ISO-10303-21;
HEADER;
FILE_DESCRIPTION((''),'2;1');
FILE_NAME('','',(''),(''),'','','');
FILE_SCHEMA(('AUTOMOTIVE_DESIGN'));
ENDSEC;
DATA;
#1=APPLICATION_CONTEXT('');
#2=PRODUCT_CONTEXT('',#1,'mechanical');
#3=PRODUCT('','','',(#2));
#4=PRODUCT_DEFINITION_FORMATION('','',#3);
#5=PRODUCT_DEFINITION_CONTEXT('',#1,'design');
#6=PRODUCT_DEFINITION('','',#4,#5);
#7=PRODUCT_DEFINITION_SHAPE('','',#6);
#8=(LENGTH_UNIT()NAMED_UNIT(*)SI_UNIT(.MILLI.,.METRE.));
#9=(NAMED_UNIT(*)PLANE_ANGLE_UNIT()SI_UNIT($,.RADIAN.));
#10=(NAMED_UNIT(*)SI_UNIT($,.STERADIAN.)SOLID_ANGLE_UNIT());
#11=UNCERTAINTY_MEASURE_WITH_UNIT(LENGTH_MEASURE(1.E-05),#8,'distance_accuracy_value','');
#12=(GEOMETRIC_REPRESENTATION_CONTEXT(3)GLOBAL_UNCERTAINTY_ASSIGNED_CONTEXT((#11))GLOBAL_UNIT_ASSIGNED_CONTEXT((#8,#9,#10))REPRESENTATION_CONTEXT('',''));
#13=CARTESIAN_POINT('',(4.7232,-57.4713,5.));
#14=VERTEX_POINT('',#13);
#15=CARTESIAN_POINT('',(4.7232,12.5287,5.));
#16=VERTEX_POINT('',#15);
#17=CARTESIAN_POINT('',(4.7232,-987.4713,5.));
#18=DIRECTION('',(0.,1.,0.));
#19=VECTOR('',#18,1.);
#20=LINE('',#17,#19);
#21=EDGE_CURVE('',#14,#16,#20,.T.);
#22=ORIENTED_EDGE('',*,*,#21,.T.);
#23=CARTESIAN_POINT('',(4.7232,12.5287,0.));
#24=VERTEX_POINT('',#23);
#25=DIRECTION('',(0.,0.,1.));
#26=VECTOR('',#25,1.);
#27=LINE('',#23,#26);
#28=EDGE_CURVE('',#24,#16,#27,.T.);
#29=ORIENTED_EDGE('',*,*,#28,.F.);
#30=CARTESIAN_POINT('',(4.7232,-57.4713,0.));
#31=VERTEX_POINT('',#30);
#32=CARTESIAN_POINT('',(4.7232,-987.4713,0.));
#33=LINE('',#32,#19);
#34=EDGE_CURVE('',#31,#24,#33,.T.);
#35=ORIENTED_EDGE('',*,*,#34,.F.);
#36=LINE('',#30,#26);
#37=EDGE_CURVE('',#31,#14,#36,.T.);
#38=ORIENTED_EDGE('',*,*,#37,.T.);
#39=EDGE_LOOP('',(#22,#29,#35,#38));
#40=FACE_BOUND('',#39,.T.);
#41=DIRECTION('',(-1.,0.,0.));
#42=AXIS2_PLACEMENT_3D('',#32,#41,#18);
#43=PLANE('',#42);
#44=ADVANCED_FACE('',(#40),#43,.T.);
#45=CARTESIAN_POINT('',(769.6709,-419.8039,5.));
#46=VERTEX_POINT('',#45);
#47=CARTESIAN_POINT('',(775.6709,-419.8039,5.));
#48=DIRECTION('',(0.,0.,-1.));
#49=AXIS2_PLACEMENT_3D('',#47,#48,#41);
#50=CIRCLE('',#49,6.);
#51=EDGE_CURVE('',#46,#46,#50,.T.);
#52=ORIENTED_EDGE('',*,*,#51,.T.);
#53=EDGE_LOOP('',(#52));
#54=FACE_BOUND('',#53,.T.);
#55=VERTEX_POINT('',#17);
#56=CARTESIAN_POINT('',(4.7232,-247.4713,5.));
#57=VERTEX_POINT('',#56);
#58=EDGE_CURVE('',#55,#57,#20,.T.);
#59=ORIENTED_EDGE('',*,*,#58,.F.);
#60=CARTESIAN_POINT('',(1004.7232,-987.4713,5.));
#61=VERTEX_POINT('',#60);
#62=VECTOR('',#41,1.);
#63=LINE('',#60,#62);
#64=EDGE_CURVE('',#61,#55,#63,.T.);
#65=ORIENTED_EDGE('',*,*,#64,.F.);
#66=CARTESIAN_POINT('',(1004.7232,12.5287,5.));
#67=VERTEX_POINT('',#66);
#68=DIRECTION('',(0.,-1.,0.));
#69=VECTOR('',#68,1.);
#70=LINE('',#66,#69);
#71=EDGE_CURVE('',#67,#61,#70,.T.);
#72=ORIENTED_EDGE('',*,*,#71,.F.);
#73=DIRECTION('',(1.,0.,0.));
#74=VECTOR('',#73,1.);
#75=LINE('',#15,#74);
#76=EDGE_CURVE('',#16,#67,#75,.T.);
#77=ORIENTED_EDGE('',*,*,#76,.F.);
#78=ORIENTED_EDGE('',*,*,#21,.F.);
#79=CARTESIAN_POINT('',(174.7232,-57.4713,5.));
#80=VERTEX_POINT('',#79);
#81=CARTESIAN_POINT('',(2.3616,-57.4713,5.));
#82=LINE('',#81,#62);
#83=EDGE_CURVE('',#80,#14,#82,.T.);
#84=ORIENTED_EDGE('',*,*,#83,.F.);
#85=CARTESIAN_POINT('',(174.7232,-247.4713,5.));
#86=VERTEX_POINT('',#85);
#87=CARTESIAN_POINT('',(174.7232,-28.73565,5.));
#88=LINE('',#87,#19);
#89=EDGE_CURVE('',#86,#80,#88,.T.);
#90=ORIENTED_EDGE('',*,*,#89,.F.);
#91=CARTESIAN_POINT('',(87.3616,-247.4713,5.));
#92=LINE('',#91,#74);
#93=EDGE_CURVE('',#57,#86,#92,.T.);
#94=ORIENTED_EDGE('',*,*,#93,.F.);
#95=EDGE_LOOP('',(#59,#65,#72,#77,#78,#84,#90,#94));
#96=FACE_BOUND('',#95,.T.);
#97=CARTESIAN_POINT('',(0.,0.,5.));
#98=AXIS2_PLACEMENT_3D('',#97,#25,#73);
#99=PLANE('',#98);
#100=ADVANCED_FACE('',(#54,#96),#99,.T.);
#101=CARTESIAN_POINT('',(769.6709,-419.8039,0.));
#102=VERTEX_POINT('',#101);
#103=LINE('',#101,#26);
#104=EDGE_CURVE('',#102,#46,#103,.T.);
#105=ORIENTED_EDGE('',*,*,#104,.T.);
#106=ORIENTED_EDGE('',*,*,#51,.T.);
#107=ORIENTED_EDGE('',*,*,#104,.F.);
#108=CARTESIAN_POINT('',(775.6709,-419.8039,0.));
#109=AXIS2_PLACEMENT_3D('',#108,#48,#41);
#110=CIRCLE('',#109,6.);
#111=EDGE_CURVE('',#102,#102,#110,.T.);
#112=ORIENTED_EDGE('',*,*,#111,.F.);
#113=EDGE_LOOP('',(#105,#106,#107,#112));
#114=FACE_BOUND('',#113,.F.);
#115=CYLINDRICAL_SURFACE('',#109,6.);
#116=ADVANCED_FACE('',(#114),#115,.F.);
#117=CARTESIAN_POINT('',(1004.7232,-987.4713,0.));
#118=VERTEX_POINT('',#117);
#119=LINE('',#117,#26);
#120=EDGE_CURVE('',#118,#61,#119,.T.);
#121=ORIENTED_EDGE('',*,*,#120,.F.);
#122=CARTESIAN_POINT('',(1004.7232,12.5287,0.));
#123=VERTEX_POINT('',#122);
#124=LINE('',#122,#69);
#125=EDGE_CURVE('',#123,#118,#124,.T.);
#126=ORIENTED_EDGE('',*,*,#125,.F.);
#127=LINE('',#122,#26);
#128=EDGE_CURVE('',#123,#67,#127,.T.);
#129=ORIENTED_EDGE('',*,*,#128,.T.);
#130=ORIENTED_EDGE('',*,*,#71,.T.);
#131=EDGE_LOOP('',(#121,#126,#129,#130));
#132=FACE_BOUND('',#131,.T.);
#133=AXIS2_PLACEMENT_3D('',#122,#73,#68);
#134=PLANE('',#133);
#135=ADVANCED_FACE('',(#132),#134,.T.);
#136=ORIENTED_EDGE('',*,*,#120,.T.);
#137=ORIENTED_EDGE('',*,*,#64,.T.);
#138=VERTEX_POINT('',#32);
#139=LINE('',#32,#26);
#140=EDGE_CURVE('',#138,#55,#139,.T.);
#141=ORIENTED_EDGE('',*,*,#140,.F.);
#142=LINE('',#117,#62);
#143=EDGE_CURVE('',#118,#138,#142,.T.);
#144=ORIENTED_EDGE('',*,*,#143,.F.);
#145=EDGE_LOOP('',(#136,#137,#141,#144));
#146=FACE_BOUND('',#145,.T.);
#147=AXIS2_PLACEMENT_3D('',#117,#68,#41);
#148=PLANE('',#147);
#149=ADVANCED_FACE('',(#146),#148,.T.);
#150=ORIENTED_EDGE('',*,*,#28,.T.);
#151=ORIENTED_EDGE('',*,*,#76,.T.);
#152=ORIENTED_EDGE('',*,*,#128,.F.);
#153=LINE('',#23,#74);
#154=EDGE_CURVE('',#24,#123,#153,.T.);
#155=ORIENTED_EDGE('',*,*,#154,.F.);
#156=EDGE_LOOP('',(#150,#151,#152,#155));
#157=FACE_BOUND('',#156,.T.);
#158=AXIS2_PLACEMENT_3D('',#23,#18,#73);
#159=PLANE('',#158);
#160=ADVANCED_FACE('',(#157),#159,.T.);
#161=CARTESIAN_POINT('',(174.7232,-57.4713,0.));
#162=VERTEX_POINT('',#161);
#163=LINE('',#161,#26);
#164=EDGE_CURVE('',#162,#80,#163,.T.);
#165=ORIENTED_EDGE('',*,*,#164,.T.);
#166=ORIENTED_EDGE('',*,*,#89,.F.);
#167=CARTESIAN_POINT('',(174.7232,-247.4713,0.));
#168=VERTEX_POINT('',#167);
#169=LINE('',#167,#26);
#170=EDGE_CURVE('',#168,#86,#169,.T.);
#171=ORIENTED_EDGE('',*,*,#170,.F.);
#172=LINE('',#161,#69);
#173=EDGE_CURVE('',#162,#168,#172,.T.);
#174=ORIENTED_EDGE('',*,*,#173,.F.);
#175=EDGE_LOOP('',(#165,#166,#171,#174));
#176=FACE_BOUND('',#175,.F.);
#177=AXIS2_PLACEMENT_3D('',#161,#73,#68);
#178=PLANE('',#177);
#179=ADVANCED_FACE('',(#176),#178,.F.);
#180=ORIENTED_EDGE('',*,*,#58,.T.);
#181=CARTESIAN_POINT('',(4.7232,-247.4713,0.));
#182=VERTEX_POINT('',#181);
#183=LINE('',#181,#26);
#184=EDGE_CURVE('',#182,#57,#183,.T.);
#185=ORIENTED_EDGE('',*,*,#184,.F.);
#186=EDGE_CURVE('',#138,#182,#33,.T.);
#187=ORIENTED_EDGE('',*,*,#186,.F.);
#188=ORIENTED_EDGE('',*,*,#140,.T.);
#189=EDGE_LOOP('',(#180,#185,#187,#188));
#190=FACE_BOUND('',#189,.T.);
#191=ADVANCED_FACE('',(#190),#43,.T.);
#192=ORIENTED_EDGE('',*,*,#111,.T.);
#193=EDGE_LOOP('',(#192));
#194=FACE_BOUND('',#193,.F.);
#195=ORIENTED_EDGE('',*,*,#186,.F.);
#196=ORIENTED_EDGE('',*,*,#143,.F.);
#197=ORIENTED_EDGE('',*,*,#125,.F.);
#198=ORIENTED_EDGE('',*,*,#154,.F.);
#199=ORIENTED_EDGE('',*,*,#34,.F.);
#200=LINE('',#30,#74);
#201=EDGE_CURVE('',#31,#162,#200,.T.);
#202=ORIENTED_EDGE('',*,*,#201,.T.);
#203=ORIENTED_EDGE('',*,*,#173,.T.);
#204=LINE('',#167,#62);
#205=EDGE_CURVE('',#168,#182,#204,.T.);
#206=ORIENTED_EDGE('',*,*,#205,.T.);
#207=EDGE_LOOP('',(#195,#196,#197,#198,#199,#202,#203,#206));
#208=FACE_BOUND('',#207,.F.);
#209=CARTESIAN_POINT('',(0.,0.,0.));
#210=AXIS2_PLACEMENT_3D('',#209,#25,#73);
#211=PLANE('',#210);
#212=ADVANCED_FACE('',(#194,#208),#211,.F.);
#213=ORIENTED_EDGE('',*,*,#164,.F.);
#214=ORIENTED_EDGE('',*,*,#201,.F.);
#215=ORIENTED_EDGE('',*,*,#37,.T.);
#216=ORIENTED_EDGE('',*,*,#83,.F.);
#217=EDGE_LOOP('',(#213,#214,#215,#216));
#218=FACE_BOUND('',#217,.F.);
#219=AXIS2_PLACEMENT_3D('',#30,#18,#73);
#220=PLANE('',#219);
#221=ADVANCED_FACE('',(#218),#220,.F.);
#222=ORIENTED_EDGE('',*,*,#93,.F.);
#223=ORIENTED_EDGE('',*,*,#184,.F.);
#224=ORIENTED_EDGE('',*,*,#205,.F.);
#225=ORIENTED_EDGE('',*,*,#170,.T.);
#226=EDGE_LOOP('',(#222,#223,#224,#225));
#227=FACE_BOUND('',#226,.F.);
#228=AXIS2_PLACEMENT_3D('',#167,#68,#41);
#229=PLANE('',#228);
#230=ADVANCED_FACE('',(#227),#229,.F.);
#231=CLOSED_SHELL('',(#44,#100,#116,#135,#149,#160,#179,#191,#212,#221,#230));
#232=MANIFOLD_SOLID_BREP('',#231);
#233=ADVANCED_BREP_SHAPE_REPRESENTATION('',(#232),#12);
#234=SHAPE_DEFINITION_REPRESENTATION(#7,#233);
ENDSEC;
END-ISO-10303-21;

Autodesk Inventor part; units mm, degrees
ref_plane "YZ Plane" through (0, 0, 0) normal (1, 0, 0) x (0, 1, 0)
ref_plane "XZ Plane" through (0, 0, 0) normal (0, 1, 0) x (-1, 0, 0)
ref_plane "XY Plane" through (0, 0, 0) normal (0, 0, 1) x (1, 0, 0)
sketch "Sketch1" plane through (0, 0, 0) normal (0, 0, 1) x (1, 0, 0)
  line L0 (4.7232, 12.5287) -> (1004.7232, 12.5287)
  line L1 (1004.7232, 12.5287) -> (1004.7232, -987.4713)
  line L2 (1004.7232, -987.4713) -> (4.7232, -987.4713)
  line L3 (4.7232, -987.4713) -> (4.7232, 12.5287)
  point P0 (0, 0)
  dimension "d0" = 1000
  dimension "d1" = 1000
extrude "Extrusion1" add sketch "Sketch1" along normal blind 5
sketch "Sketch2" plane through (0, 0, 0) normal (0, 0, -1) x (-1, 0, 0)
  circle A0 centre (-775.6709, -419.8039) radius 6
  point P0 (0, 0)
  dimension "d4" = 12
extrude "Extrusion2" cut sketch "Sketch2" against normal blind 5
sketch "Sketch3" plane through (0, 0, 0) normal (0, 0, -1) x (-1, 0, 0)
  line L0 (-4.7232, 12.5287) -> (-4.7232, -987.4713) projected
  line L1 (-4.7232, -57.4713) -> (-174.7232, -57.4713)
  line L2 (-174.7232, -57.4713) -> (-174.7232, -247.4713)
  line L3 (-174.7232, -247.4713) -> (-4.7232, -247.4713)
  line L4 (-4.7232, -247.4713) -> (-4.7232, -57.4713)
  line L5 (-1004.7232, 12.5287) -> (-4.7232, 12.5287) projected
  point P0 (0, 0)
  dimension "d8" = 170
  dimension "d9" = 190
  dimension "d10" = 170
  dimension "d11" = 70
extrude "Extrusion3" cut sketch "Sketch3" against normal through all
properties part number "baseb"
